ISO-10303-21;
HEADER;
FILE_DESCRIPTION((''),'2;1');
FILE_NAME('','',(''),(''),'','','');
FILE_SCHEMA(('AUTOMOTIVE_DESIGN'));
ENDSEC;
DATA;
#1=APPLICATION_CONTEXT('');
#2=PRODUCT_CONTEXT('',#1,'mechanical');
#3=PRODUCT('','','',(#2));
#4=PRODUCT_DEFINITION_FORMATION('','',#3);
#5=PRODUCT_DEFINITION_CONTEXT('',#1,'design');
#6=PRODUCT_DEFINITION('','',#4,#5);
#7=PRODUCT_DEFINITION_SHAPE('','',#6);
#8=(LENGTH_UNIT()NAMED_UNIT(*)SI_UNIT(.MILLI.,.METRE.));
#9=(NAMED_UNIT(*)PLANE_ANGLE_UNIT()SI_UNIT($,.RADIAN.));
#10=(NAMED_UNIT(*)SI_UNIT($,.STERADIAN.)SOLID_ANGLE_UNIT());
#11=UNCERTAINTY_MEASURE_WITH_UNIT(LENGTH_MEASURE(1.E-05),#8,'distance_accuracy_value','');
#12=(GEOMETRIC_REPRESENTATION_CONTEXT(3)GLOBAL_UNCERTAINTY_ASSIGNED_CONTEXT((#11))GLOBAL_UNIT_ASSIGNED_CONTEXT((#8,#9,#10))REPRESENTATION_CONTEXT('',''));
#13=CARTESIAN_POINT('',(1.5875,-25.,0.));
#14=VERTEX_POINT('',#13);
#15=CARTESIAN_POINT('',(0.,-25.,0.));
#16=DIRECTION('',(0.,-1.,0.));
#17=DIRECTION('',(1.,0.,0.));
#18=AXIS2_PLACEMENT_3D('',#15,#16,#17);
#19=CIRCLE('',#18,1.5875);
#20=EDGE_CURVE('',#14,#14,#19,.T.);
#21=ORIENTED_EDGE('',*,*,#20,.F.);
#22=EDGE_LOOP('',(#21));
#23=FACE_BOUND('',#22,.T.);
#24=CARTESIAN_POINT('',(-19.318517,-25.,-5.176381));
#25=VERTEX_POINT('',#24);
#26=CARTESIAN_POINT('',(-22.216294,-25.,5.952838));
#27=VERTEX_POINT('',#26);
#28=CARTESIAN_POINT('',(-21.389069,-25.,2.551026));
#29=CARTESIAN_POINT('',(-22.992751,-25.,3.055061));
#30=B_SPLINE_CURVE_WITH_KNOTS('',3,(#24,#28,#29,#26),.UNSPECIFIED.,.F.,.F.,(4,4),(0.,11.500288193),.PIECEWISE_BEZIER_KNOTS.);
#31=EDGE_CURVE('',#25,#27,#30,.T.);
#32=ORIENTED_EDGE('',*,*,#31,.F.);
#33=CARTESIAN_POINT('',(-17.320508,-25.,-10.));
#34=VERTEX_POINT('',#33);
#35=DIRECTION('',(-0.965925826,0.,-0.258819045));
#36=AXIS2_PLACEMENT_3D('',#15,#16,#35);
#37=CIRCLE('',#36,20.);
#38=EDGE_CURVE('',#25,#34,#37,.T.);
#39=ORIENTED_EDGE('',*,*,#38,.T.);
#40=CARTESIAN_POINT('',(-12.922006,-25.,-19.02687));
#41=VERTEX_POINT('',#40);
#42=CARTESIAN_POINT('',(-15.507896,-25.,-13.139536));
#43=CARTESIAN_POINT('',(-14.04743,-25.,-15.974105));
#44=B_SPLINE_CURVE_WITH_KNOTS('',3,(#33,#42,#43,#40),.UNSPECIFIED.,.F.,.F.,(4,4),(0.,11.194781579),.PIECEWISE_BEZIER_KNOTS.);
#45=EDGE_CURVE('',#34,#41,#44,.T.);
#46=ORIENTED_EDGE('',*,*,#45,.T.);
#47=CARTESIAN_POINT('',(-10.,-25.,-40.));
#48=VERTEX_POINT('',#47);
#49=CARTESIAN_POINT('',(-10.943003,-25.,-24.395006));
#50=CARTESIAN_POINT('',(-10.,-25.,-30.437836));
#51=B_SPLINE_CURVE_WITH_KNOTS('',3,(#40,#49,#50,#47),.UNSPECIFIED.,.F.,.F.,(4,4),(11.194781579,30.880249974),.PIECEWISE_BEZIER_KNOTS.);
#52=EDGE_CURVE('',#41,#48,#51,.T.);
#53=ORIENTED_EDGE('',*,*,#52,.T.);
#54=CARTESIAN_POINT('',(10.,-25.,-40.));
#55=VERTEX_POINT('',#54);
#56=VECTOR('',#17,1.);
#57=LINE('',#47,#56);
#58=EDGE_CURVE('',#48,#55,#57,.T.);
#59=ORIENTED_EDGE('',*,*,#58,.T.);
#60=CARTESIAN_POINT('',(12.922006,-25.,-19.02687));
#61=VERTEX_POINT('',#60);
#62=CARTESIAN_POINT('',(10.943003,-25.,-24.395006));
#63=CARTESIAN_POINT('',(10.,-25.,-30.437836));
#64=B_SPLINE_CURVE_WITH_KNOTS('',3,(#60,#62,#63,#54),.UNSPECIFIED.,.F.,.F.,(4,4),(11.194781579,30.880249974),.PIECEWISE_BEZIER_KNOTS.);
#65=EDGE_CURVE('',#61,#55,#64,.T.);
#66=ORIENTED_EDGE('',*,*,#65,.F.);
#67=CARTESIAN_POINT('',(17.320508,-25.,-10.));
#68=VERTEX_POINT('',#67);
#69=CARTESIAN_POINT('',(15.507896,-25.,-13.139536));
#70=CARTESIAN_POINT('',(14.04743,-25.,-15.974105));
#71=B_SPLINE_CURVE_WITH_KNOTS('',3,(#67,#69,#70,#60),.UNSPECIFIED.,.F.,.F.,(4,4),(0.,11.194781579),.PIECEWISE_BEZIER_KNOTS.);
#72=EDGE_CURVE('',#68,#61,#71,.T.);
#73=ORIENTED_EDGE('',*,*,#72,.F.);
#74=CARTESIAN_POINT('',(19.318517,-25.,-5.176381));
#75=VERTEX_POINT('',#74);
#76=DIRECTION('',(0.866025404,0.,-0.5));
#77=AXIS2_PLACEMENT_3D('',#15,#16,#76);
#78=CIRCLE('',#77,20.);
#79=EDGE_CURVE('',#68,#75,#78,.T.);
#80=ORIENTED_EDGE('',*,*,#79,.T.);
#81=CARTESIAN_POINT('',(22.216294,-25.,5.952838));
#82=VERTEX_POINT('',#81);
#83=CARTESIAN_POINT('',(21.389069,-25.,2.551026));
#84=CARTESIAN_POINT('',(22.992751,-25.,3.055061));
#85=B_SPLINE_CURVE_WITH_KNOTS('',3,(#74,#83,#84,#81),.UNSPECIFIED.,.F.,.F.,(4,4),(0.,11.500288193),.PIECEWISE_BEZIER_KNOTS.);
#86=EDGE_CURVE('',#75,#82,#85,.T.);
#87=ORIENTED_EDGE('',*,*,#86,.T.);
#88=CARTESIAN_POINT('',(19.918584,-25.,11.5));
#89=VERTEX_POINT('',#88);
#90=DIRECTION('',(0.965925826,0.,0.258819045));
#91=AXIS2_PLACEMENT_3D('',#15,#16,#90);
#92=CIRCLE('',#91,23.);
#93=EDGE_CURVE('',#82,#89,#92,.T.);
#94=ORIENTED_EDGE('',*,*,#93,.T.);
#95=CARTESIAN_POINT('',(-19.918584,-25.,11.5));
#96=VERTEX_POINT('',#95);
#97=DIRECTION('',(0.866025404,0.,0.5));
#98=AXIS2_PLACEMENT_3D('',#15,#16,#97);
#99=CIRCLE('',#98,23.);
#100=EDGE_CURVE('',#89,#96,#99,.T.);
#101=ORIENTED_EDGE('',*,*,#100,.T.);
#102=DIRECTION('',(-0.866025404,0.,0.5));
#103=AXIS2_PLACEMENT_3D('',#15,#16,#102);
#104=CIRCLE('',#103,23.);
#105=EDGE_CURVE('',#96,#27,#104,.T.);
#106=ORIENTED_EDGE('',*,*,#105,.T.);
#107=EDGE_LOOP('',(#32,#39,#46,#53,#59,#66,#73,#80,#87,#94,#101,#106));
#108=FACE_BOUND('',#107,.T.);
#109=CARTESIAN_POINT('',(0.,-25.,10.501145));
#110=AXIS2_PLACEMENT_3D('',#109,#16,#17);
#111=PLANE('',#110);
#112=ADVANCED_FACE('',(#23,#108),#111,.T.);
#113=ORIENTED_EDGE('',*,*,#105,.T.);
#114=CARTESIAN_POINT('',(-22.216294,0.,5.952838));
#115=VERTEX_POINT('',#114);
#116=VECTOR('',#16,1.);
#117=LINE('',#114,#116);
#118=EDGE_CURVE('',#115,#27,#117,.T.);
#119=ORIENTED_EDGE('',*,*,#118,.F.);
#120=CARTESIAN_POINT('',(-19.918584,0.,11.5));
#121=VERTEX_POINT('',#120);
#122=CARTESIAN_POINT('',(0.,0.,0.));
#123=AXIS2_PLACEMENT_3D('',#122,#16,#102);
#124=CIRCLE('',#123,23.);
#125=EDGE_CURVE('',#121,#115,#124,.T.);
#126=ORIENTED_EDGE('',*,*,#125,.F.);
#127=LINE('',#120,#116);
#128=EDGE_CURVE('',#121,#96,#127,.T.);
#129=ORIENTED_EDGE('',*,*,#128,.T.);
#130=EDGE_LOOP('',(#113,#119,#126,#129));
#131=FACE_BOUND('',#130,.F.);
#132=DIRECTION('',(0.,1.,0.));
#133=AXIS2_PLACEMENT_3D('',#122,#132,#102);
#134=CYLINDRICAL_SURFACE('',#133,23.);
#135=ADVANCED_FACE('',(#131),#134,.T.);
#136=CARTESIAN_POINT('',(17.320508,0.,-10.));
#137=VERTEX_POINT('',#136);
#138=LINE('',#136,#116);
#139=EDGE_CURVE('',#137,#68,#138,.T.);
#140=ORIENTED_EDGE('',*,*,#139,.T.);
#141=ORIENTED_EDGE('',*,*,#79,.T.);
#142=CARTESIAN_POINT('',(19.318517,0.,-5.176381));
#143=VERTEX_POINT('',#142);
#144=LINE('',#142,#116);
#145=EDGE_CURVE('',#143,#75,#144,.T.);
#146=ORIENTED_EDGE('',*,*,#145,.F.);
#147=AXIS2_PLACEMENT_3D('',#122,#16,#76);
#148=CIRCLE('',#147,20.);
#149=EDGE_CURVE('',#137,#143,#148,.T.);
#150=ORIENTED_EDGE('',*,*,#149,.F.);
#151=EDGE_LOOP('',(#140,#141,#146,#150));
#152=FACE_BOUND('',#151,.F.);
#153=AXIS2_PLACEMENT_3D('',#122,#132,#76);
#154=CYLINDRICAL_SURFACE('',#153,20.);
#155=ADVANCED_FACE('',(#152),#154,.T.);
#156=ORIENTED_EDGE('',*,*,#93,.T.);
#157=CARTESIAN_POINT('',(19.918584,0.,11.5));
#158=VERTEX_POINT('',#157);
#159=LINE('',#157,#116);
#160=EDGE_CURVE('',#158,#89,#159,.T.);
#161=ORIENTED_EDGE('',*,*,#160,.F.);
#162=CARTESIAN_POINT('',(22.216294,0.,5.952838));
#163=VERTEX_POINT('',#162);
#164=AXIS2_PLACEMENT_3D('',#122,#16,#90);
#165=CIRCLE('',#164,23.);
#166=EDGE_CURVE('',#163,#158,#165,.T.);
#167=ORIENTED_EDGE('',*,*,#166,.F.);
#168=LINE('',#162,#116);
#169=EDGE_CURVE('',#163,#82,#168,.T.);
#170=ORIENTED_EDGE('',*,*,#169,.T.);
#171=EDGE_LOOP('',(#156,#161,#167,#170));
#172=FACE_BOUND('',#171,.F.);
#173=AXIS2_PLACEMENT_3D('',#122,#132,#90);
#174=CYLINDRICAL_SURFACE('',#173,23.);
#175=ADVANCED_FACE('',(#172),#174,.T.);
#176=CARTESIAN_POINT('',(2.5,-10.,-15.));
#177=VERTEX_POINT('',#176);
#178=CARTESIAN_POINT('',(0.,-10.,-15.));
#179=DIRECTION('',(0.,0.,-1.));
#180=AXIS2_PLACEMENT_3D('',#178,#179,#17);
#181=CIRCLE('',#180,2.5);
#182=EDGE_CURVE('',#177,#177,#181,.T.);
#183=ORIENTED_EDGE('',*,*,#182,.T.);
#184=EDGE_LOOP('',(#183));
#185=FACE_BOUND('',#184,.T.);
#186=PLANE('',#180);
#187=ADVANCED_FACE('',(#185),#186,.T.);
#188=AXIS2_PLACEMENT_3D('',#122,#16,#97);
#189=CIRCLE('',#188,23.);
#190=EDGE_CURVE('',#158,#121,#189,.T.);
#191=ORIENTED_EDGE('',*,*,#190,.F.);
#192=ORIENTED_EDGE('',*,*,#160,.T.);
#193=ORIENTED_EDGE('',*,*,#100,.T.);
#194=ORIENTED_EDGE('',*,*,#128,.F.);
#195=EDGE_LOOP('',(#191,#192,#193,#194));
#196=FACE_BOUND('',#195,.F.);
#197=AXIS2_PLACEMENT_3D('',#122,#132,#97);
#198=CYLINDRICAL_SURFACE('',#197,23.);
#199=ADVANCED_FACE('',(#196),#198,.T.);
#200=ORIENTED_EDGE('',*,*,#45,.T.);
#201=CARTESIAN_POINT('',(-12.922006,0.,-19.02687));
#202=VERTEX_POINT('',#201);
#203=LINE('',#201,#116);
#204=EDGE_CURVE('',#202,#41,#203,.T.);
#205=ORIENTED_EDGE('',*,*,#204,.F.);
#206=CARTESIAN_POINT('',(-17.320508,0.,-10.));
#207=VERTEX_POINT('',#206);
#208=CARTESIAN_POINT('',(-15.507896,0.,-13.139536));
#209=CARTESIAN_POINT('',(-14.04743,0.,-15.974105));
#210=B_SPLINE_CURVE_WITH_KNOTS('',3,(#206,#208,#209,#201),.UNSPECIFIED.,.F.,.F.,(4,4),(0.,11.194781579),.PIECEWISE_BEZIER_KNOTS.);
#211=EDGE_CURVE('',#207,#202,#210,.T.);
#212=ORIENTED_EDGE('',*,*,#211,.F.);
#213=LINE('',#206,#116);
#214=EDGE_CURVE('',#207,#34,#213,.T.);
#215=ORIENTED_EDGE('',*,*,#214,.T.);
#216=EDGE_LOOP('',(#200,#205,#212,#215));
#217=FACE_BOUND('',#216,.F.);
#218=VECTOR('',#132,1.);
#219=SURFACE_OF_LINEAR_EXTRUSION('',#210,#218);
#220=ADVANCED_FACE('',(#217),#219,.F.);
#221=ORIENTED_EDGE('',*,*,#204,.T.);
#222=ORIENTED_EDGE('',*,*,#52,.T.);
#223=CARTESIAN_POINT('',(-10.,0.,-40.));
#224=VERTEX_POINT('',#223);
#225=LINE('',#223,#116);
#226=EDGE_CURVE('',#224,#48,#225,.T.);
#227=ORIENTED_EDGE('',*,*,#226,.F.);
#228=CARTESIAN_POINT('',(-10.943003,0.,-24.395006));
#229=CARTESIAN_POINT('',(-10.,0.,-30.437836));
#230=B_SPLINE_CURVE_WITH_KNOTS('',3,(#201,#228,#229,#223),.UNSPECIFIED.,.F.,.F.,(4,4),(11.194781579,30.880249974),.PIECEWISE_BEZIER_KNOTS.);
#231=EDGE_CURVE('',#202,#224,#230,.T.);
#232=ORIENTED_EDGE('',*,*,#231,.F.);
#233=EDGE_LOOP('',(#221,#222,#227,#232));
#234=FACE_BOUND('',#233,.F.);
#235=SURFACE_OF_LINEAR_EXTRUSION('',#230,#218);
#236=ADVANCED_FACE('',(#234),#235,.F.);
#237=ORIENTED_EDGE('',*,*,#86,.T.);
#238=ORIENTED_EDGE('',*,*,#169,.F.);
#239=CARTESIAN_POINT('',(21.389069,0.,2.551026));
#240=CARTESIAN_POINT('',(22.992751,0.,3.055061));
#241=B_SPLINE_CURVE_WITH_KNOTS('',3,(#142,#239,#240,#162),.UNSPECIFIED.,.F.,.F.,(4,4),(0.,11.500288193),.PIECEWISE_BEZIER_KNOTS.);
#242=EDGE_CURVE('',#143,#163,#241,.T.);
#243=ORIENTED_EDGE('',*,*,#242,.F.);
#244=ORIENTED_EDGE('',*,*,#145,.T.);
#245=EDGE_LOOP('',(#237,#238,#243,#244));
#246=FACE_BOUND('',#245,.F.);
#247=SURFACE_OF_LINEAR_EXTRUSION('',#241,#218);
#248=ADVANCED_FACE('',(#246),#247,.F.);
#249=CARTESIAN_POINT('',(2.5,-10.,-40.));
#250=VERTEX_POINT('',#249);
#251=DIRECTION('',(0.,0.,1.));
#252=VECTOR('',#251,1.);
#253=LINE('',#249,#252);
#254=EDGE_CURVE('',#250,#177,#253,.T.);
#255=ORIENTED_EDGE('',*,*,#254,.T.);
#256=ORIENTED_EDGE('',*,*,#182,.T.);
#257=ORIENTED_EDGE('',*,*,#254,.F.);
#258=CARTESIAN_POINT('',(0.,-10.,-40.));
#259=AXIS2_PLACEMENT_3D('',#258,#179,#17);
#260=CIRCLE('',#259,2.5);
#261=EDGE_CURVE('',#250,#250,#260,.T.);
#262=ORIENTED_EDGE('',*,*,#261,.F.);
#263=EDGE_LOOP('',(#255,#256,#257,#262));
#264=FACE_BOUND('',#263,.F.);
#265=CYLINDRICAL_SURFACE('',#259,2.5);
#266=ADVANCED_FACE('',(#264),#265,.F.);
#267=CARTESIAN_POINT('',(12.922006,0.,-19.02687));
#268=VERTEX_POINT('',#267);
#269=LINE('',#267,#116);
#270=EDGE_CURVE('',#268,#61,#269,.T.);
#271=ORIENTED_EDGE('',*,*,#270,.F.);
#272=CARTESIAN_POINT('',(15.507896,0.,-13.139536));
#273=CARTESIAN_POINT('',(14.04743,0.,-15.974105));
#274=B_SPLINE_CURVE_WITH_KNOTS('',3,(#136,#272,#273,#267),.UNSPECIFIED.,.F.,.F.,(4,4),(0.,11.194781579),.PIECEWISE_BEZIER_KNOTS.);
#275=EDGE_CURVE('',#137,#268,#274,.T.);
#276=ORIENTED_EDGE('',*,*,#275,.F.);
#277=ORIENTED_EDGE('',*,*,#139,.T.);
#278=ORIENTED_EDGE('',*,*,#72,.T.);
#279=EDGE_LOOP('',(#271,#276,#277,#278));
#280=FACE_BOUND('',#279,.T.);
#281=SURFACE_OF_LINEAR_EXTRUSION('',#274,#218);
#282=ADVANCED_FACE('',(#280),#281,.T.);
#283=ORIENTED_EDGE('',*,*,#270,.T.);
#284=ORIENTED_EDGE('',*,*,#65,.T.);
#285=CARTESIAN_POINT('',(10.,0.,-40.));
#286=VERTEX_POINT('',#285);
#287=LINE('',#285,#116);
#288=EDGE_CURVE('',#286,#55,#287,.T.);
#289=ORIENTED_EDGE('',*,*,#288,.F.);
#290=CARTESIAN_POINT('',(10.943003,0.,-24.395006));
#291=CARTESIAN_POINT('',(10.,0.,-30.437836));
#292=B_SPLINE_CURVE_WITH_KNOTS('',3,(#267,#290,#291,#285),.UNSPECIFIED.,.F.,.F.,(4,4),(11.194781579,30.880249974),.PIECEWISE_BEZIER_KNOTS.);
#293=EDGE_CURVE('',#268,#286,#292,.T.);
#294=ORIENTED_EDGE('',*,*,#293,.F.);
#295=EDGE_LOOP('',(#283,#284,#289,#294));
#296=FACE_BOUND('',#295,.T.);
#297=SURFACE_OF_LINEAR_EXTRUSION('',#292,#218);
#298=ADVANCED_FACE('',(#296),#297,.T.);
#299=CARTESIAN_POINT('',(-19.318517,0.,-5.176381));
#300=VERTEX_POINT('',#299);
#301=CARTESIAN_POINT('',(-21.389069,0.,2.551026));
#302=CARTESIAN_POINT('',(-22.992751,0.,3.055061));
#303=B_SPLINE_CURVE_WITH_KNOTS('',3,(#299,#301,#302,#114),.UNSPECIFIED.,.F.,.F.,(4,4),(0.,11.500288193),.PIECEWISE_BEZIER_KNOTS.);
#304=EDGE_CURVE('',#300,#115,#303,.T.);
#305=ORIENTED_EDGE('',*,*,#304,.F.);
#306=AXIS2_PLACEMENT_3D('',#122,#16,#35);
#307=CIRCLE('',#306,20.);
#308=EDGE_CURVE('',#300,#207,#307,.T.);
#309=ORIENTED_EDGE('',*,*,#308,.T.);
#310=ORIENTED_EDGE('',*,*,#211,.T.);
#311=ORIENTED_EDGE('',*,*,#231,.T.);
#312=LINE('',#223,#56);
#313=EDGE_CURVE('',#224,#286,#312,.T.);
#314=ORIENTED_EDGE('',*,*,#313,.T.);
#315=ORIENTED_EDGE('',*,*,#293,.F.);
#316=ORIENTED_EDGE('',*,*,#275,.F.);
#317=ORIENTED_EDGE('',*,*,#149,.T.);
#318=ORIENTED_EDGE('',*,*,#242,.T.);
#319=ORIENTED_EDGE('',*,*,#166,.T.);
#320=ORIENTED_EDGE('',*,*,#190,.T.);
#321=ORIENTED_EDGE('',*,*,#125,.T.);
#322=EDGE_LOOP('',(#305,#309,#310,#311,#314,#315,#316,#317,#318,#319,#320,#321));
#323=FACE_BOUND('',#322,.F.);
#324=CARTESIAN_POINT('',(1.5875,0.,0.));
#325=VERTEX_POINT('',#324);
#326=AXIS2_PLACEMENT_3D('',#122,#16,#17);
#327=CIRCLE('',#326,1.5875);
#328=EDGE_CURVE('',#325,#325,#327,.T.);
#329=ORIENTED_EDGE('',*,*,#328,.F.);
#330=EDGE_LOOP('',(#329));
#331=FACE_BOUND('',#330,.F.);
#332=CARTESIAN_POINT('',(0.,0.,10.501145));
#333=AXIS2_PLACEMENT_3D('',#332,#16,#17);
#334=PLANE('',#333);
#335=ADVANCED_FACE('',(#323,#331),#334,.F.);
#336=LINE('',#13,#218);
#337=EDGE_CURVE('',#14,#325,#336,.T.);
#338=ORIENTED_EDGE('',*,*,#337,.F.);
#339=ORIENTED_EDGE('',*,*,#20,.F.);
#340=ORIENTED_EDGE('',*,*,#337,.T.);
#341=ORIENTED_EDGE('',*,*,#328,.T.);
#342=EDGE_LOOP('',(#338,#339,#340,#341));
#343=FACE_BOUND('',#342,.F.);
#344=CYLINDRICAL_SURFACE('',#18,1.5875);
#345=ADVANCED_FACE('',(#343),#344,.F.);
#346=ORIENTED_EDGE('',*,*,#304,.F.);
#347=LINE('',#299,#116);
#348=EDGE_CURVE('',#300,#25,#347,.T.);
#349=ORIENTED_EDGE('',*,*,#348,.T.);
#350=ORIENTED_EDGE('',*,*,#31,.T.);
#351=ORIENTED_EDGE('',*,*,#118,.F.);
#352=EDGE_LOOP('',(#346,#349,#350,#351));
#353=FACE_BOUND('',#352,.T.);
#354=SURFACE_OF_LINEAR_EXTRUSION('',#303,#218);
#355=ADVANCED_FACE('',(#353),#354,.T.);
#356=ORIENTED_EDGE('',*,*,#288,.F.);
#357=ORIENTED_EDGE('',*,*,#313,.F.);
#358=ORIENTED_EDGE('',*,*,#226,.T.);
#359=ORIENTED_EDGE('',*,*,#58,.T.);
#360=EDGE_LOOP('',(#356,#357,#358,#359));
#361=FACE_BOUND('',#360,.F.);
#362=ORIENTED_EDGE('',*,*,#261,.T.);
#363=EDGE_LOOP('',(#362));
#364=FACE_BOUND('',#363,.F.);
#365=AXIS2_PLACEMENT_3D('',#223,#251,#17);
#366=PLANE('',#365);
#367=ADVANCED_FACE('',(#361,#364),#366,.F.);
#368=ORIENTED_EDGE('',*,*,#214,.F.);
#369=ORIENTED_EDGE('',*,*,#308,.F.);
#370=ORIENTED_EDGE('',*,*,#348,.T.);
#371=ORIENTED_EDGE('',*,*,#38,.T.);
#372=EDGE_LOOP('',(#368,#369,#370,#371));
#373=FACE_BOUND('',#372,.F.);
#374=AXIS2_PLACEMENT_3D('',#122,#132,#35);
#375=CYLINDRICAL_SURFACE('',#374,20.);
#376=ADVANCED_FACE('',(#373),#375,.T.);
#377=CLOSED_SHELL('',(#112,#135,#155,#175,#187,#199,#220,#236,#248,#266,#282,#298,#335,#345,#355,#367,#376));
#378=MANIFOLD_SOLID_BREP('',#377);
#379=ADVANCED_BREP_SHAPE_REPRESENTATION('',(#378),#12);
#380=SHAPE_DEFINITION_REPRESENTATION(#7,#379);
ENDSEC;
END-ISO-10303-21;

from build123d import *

# Parameters (mm, degrees)
F1_DEPTH = 25
F2_R     = 1.5875
F3_DEPTH = 25
F4_R     = 2.5
F5_DEPTH = 25


with BuildPart() as f1:
    # F0 (on Front) → F1 (new body)
    with BuildSketch(Plane.XZ):
        with BuildLine():
            Line((-17.3205080757, 10), (0, 0))
            Line((0, 0), (17.3205080757, 10))
            ThreePointArc((17.3205080757, 10), (0, 20), (-17.3205080757, 10))
        make_face()
        with BuildLine():
            ThreePointArc((19.918584287, 11.5), (0, 23), (-19.918584287, 11.5))
            Line((-19.918584287, 11.5), (-17.3205080757, 10))
            ThreePointArc((-17.3205080757, 10), (0, 20), (17.3205080757, 10))
            Line((17.3205080757, 10), (19.918584287, 11.5))
        make_face()
        with BuildLine():
            Line((19.3185165258, 5.1763809021), (22.2162940046, 5.9528380374))
            ThreePointArc((22.2162940046, 5.9528380374), (21.2492292478, 8.8017189444), (19.918584287, 11.5))
            Line((19.918584287, 11.5), (17.3205080757, 10))
            ThreePointArc((17.3205080757, 10), (18.4775906502, 7.6536686473), (19.3185165258, 5.1763809021))
        make_face()
        with BuildLine():
            Line((17.3205080757, 10), (0, 0))
            Line((0, 0), (19.3185165258, 5.1763809021))
            ThreePointArc((19.3185165258, 5.1763809021), (18.4775906502, 7.6536686473), (17.3205080757, 10))
        make_face()
        with BuildLine():
            Line((0, 0), (19.3185165258, -5.1763809021))
            ThreePointArc((19.3185165258, -5.1763809021), (19.8288972275, -2.6105238444), (20, 0))
            ThreePointArc((20, 0), (19.8288972275, 2.6105238444), (19.3185165258, 5.1763809021))
            Line((19.3185165258, 5.1763809021), (0, 0))
        make_face()
        with BuildLine():
            add(Edge.make_bspline(
                [(19.3185165258, -5.1763809021), (21.3890688866, 2.5510257083), (22.99275114, 3.0550605585), (22.2162940046, 5.9528380374)],
                knots=[0, 0, 0, 0, 11.5002881928, 11.5002881928, 11.5002881928, 11.5002881928], degree=3))
            Line((22.2162940046, 5.9528380374), (19.3185165258, 5.1763809021))
            ThreePointArc((19.3185165258, 5.1763809021), (19.8288972275, 2.6105238444), (20, 0))
            ThreePointArc((20, 0), (19.8288972275, -2.6105238444), (19.3185165258, -5.1763809021))
        make_face()
        with BuildLine():
            Line((0, 0), (17.3205080757, -10))
            ThreePointArc((17.3205080757, -10), (18.4775906502, -7.6536686473), (19.3185165258, -5.1763809021))
            Line((19.3185165258, -5.1763809021), (0, 0))
        make_face()
        with BuildLine():
            ThreePointArc((-17.3205080757, -10), (0, -20), (17.3205080757, -10))
            Line((17.3205080757, -10), (0, 0))
            Line((0, 0), (-17.3205080757, 10))
            ThreePointArc((-17.3205080757, 10), (-19.8288972275, 2.6105238444), (-19.3185165258, -5.1763809021))
            ThreePointArc((-19.3185165258, -5.1763809021), (-18.4775906502, -7.6536686473), (-17.3205080757, -10))
        make_face()
        with BuildLine():
            Line((-10, -40), (10, -40))
            add(Edge.make_bspline(
                [(12.9220055275, -19.0268697674), (10.9430027849, -24.3950055717), (10, -30.4378356334), (10, -40)],
                knots=[11.1947815786, 11.1947815786, 11.1947815786, 11.1947815786, 30.8802499745, 30.8802499745, 30.8802499745, 30.8802499745], degree=3))
            ThreePointArc((12.9220055275, -19.0268697674), (0, -23), (-12.9220055275, -19.0268697674))
            add(Edge.make_bspline(
                [(-12.9220055275, -19.0268697674), (-10.9430027849, -24.3950055717), (-10, -30.4378356334), (-10, -40)],
                knots=[11.1947815786, 11.1947815786, 11.1947815786, 11.1947815786, 30.8802499745, 30.8802499745, 30.8802499745, 30.8802499745], degree=3))
        make_face()
        with BuildLine():
            ThreePointArc((-12.9220055275, -19.0268697674), (0, -23), (12.9220055275, -19.0268697674))
            add(Edge.make_bspline(
                [(17.3205080757, -10), (15.5078961979, -13.1395358667), (14.0474297746, -15.9741048241), (12.9220055275, -19.0268697674)],
                knots=[0, 0, 0, 0, 11.1947815786, 11.1947815786, 11.1947815786, 11.1947815786], degree=3))
            ThreePointArc((17.3205080757, -10), (0, -20), (-17.3205080757, -10))
            add(Edge.make_bspline(
                [(-17.3205080757, -10), (-15.5078961979, -13.1395358667), (-14.0474297746, -15.9741048241), (-12.9220055275, -19.0268697674)],
                knots=[0, 0, 0, 0, 11.1947815786, 11.1947815786, 11.1947815786, 11.1947815786], degree=3))
        make_face()
        with BuildLine():
            ThreePointArc((-19.918584287, 11.5), (-21.2492292478, 8.8017189444), (-22.2162940046, 5.9528380374))
            add(Edge.make_bspline(
                [(-19.3185165258, -5.1763809021), (-21.3890688866, 2.5510257083), (-22.99275114, 3.0550605585), (-22.2162940046, 5.9528380374)],
                knots=[0, 0, 0, 0, 11.5002881928, 11.5002881928, 11.5002881928, 11.5002881928], degree=3))
            ThreePointArc((-19.3185165258, -5.1763809021), (-19.8288972275, 2.6105238444), (-17.3205080757, 10))
            Line((-17.3205080757, 10), (-19.918584287, 11.5))
        make_face()
    extrude(amount=F1_DEPTH)

    # F2 (on face) → F3 (cut)
    with BuildSketch(Plane.XZ.offset(25)):
        Circle(F2_R)
    extrude(amount=-F3_DEPTH, mode=Mode.SUBTRACT)

    # F4 (on face) → F5 (cut)
    with BuildSketch(Plane(origin=(0, 0, -40), x_dir=(1, 0, 0), z_dir=(0, 0, -1))):
        with Locations((0, 10)):
            Circle(F4_R)
    extrude(amount=-F5_DEPTH, mode=Mode.SUBTRACT)


solid = f1.part
